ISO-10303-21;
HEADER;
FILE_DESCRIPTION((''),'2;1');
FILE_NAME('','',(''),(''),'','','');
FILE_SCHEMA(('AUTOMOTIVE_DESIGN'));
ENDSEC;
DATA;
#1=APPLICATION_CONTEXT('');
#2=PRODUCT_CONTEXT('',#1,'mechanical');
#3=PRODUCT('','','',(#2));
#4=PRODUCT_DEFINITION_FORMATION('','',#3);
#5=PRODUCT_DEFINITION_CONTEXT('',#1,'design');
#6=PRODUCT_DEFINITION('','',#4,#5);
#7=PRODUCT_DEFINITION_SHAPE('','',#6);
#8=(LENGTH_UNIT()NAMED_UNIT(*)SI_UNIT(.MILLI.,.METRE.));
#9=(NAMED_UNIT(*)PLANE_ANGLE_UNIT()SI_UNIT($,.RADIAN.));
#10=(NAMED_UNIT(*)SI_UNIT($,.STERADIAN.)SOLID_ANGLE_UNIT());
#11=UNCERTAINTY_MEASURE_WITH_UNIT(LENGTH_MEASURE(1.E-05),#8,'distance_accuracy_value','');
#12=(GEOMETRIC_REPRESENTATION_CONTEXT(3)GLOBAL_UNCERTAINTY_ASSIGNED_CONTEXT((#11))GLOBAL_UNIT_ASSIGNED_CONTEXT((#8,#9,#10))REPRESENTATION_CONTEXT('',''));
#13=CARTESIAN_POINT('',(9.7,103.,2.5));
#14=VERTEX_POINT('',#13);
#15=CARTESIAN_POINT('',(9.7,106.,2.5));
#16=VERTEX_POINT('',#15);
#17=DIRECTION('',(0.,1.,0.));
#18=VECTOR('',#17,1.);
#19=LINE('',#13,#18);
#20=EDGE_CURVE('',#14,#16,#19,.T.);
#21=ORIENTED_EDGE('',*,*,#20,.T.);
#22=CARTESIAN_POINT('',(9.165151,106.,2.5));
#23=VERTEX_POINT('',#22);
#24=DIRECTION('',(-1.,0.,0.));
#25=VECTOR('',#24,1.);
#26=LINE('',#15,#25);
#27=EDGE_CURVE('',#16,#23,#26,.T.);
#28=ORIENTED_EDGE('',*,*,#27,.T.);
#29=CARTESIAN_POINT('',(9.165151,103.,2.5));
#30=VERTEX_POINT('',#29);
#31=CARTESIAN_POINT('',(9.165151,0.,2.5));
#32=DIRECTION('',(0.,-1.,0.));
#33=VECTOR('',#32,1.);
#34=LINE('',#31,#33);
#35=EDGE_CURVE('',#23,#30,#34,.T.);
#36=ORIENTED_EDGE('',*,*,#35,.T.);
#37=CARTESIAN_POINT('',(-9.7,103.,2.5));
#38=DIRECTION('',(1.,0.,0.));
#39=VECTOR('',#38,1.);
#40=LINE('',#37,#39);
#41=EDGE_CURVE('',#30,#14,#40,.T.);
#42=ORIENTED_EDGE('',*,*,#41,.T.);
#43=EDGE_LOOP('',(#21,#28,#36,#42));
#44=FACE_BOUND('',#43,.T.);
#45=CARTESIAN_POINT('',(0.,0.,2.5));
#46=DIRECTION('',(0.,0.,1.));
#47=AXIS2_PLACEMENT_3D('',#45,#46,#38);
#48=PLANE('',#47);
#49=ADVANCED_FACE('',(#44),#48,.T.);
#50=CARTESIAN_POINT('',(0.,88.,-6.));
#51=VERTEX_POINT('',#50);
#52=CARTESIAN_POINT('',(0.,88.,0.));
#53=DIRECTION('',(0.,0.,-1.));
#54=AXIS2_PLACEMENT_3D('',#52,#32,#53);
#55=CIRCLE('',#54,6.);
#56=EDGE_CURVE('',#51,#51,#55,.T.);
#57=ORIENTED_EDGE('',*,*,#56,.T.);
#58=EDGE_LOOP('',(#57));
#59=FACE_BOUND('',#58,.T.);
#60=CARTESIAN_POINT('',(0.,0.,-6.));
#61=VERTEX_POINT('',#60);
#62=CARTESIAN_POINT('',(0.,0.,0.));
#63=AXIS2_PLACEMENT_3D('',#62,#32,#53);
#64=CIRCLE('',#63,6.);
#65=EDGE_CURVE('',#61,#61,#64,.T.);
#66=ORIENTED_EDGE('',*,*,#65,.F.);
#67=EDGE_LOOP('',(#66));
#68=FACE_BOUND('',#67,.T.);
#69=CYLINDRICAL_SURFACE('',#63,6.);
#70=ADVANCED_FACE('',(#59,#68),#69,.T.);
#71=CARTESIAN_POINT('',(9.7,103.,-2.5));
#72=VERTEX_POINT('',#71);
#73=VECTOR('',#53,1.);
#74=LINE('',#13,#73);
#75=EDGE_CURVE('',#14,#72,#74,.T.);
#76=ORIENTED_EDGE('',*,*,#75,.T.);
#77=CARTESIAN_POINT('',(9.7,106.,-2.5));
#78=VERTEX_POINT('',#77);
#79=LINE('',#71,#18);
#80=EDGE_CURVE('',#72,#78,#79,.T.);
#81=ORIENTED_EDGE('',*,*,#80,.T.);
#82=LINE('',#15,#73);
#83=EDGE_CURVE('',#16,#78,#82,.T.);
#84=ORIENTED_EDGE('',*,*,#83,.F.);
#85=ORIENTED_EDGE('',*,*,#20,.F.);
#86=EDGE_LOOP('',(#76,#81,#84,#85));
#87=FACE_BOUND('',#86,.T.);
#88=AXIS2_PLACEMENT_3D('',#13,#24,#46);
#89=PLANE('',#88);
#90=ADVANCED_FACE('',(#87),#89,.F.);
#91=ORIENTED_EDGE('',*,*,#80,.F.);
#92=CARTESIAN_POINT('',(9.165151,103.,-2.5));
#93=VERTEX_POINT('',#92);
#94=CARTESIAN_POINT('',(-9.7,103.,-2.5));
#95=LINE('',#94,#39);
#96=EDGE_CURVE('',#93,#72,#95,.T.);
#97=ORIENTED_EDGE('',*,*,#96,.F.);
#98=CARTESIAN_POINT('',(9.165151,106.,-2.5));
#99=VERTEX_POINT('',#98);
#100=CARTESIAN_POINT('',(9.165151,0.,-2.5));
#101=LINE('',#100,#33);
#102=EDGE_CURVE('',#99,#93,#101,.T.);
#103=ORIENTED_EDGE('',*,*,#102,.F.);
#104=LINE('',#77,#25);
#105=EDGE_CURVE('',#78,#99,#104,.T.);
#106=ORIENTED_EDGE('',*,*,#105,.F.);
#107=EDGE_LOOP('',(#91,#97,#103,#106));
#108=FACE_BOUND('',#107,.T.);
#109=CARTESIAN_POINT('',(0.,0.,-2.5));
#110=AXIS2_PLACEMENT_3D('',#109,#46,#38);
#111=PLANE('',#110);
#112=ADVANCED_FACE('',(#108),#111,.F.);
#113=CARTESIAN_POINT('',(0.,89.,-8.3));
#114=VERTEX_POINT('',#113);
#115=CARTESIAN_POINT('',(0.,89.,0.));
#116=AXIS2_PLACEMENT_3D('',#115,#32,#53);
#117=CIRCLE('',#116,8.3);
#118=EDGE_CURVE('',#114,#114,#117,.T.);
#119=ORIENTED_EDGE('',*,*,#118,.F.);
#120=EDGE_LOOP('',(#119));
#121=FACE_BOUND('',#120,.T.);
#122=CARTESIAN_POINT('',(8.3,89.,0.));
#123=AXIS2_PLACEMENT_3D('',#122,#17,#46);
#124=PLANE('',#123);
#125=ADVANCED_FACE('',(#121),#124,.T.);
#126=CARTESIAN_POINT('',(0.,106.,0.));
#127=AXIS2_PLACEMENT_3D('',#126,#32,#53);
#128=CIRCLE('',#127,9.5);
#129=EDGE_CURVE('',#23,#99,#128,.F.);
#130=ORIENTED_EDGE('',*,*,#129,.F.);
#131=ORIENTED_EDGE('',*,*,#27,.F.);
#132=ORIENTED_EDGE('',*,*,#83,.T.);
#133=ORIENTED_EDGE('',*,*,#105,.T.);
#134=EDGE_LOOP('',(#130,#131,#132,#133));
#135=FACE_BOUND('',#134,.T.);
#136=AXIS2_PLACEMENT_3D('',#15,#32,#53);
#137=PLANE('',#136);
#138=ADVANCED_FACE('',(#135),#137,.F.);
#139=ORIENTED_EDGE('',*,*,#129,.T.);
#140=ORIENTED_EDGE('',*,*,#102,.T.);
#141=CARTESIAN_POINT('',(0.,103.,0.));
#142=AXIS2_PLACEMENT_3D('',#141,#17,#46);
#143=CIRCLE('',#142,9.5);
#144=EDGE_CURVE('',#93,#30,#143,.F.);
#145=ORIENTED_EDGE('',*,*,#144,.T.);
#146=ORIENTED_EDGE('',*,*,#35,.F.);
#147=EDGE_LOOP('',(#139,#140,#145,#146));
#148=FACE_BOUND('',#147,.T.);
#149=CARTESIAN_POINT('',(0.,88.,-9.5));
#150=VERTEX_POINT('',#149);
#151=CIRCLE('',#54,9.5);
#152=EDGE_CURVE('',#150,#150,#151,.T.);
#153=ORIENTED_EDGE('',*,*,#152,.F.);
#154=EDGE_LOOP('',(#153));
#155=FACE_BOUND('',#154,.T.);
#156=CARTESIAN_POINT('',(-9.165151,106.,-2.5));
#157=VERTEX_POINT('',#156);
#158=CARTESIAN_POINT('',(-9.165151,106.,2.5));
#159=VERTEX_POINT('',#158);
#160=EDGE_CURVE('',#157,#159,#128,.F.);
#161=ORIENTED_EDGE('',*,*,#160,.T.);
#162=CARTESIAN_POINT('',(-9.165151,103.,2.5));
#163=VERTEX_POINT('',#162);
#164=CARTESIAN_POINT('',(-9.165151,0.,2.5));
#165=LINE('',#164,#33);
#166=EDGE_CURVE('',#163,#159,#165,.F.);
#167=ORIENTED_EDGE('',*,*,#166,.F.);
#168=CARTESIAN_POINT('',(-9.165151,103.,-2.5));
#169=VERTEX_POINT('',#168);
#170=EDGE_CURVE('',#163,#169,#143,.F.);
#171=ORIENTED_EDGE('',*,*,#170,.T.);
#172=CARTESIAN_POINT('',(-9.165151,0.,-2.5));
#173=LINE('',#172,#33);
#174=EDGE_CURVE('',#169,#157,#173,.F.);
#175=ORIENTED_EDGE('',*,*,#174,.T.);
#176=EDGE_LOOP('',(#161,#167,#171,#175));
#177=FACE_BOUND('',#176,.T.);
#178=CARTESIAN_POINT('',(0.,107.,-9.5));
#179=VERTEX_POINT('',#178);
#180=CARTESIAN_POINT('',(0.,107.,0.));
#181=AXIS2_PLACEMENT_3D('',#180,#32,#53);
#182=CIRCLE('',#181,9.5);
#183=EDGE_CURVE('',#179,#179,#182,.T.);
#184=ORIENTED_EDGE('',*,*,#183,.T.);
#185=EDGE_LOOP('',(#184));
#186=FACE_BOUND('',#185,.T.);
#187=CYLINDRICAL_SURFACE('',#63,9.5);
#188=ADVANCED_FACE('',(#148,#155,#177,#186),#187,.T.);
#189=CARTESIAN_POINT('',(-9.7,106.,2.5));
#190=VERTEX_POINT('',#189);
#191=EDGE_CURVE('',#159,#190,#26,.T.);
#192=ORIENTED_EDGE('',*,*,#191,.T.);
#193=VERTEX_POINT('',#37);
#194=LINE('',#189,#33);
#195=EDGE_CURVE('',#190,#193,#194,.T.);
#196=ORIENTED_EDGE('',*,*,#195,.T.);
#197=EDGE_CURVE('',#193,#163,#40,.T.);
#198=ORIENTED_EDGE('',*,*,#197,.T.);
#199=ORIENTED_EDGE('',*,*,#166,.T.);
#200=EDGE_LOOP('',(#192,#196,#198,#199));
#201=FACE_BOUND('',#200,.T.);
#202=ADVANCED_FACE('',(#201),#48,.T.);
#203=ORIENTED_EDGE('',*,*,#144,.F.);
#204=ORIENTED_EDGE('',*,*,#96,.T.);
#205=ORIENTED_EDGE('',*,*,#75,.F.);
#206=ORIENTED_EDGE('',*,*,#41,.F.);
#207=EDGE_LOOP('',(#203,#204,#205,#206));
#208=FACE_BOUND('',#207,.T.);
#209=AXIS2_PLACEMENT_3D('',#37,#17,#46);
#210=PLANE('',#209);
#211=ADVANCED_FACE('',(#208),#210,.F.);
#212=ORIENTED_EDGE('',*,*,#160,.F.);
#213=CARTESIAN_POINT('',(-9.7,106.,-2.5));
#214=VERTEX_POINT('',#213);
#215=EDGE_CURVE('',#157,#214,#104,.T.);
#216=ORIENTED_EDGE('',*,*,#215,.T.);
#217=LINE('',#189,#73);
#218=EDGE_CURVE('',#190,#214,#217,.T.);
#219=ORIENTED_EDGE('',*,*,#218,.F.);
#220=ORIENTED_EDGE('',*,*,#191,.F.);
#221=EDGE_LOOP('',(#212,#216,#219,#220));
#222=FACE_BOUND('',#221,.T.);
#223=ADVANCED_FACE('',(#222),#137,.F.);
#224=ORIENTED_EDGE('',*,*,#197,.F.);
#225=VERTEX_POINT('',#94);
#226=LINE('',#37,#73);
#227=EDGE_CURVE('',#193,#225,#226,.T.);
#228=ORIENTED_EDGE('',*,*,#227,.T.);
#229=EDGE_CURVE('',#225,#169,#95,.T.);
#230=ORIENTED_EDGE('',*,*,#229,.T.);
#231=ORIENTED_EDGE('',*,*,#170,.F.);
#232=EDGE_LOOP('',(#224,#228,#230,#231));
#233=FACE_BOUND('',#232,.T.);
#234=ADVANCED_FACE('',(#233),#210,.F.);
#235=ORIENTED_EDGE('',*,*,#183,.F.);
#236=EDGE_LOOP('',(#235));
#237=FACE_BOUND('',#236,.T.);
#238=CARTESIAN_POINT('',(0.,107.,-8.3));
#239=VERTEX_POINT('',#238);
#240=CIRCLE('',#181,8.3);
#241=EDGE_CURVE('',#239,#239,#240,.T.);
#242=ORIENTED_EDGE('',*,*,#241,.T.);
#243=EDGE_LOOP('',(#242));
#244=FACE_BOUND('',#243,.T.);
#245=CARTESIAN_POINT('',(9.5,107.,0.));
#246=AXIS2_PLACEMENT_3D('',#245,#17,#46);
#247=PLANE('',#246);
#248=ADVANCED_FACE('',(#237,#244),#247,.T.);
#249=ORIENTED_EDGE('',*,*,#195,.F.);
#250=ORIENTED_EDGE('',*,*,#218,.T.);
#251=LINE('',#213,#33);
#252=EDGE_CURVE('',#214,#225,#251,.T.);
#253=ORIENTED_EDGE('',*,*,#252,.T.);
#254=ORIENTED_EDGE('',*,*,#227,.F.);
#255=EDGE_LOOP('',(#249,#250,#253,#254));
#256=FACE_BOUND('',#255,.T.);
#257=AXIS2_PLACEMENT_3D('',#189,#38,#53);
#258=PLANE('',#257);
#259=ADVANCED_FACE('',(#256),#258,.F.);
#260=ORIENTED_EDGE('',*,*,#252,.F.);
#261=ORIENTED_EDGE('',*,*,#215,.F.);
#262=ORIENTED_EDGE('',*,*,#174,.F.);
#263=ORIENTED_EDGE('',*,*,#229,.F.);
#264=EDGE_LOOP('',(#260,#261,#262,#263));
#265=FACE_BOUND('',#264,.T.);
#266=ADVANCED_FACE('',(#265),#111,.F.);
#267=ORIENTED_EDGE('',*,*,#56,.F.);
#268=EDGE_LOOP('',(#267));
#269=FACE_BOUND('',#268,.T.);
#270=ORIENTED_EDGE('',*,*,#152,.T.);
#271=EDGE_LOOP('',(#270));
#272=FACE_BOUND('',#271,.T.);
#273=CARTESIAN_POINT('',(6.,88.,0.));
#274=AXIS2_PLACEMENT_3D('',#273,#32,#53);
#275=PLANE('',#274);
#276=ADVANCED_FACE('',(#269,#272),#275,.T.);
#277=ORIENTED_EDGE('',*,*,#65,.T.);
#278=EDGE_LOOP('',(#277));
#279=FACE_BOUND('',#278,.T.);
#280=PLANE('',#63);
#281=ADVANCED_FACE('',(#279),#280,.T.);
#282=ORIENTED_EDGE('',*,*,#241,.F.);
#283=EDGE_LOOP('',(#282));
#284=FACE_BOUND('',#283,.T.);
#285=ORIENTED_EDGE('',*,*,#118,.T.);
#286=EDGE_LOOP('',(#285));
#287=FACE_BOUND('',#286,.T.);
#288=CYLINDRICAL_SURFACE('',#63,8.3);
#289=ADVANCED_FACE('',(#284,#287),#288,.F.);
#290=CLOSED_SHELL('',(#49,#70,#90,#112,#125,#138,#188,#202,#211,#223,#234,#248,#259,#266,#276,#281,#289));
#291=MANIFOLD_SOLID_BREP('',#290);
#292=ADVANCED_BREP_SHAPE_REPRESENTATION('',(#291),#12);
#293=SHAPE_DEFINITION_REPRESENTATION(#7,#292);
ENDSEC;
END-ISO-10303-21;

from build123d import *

# Parameters (mm, degrees)
SKETCH_3_W          = 19.4
SKETCH_3_H          = 3
OUTPUT_KEY_DEPTH    = 5
D16_CLEARANCE_START = -18
SKETCH_4_R          = 8.3
D16_CLEARANCE_DEPTH = 18


with BuildPart() as part:
    # 草图1 → Stepped_output_tube (revolve)
    with BuildSketch(Plane.XY, mode=Mode.PRIVATE) as stepped_output_tube_sk:
        Polygon((0, 0), (6, 0), (6, 88), (9.5, 88), (9.5, 107), (8.3, 107), (8.3, 89), (0, 89), align=None)
    revolve(stepped_output_tube_sk.sketch.rotate(Axis((0, 0, 0), (0, 1, 0)), 90), axis=Axis((0, 0, 0), (0, 1, 0)))

    # 草图3 → Output_key (add)
    with BuildSketch(Plane.XY.offset(-2.5)):
        with Locations((0, 104.5)):
            Rectangle(SKETCH_3_W, SKETCH_3_H)
    extrude(amount=OUTPUT_KEY_DEPTH)

    # 草图4 → D16_clearance (cut)
    with BuildSketch(Plane(origin=(0, 107, 0), x_dir=(1, 0, 0), z_dir=(0, 1, 0)).offset(D16_CLEARANCE_START)):
        with Locations(Location((0, 0, 0), (0, 0, 90))):
            Circle(SKETCH_4_R)
    extrude(amount=D16_CLEARANCE_DEPTH, mode=Mode.SUBTRACT)


solid = part.part
